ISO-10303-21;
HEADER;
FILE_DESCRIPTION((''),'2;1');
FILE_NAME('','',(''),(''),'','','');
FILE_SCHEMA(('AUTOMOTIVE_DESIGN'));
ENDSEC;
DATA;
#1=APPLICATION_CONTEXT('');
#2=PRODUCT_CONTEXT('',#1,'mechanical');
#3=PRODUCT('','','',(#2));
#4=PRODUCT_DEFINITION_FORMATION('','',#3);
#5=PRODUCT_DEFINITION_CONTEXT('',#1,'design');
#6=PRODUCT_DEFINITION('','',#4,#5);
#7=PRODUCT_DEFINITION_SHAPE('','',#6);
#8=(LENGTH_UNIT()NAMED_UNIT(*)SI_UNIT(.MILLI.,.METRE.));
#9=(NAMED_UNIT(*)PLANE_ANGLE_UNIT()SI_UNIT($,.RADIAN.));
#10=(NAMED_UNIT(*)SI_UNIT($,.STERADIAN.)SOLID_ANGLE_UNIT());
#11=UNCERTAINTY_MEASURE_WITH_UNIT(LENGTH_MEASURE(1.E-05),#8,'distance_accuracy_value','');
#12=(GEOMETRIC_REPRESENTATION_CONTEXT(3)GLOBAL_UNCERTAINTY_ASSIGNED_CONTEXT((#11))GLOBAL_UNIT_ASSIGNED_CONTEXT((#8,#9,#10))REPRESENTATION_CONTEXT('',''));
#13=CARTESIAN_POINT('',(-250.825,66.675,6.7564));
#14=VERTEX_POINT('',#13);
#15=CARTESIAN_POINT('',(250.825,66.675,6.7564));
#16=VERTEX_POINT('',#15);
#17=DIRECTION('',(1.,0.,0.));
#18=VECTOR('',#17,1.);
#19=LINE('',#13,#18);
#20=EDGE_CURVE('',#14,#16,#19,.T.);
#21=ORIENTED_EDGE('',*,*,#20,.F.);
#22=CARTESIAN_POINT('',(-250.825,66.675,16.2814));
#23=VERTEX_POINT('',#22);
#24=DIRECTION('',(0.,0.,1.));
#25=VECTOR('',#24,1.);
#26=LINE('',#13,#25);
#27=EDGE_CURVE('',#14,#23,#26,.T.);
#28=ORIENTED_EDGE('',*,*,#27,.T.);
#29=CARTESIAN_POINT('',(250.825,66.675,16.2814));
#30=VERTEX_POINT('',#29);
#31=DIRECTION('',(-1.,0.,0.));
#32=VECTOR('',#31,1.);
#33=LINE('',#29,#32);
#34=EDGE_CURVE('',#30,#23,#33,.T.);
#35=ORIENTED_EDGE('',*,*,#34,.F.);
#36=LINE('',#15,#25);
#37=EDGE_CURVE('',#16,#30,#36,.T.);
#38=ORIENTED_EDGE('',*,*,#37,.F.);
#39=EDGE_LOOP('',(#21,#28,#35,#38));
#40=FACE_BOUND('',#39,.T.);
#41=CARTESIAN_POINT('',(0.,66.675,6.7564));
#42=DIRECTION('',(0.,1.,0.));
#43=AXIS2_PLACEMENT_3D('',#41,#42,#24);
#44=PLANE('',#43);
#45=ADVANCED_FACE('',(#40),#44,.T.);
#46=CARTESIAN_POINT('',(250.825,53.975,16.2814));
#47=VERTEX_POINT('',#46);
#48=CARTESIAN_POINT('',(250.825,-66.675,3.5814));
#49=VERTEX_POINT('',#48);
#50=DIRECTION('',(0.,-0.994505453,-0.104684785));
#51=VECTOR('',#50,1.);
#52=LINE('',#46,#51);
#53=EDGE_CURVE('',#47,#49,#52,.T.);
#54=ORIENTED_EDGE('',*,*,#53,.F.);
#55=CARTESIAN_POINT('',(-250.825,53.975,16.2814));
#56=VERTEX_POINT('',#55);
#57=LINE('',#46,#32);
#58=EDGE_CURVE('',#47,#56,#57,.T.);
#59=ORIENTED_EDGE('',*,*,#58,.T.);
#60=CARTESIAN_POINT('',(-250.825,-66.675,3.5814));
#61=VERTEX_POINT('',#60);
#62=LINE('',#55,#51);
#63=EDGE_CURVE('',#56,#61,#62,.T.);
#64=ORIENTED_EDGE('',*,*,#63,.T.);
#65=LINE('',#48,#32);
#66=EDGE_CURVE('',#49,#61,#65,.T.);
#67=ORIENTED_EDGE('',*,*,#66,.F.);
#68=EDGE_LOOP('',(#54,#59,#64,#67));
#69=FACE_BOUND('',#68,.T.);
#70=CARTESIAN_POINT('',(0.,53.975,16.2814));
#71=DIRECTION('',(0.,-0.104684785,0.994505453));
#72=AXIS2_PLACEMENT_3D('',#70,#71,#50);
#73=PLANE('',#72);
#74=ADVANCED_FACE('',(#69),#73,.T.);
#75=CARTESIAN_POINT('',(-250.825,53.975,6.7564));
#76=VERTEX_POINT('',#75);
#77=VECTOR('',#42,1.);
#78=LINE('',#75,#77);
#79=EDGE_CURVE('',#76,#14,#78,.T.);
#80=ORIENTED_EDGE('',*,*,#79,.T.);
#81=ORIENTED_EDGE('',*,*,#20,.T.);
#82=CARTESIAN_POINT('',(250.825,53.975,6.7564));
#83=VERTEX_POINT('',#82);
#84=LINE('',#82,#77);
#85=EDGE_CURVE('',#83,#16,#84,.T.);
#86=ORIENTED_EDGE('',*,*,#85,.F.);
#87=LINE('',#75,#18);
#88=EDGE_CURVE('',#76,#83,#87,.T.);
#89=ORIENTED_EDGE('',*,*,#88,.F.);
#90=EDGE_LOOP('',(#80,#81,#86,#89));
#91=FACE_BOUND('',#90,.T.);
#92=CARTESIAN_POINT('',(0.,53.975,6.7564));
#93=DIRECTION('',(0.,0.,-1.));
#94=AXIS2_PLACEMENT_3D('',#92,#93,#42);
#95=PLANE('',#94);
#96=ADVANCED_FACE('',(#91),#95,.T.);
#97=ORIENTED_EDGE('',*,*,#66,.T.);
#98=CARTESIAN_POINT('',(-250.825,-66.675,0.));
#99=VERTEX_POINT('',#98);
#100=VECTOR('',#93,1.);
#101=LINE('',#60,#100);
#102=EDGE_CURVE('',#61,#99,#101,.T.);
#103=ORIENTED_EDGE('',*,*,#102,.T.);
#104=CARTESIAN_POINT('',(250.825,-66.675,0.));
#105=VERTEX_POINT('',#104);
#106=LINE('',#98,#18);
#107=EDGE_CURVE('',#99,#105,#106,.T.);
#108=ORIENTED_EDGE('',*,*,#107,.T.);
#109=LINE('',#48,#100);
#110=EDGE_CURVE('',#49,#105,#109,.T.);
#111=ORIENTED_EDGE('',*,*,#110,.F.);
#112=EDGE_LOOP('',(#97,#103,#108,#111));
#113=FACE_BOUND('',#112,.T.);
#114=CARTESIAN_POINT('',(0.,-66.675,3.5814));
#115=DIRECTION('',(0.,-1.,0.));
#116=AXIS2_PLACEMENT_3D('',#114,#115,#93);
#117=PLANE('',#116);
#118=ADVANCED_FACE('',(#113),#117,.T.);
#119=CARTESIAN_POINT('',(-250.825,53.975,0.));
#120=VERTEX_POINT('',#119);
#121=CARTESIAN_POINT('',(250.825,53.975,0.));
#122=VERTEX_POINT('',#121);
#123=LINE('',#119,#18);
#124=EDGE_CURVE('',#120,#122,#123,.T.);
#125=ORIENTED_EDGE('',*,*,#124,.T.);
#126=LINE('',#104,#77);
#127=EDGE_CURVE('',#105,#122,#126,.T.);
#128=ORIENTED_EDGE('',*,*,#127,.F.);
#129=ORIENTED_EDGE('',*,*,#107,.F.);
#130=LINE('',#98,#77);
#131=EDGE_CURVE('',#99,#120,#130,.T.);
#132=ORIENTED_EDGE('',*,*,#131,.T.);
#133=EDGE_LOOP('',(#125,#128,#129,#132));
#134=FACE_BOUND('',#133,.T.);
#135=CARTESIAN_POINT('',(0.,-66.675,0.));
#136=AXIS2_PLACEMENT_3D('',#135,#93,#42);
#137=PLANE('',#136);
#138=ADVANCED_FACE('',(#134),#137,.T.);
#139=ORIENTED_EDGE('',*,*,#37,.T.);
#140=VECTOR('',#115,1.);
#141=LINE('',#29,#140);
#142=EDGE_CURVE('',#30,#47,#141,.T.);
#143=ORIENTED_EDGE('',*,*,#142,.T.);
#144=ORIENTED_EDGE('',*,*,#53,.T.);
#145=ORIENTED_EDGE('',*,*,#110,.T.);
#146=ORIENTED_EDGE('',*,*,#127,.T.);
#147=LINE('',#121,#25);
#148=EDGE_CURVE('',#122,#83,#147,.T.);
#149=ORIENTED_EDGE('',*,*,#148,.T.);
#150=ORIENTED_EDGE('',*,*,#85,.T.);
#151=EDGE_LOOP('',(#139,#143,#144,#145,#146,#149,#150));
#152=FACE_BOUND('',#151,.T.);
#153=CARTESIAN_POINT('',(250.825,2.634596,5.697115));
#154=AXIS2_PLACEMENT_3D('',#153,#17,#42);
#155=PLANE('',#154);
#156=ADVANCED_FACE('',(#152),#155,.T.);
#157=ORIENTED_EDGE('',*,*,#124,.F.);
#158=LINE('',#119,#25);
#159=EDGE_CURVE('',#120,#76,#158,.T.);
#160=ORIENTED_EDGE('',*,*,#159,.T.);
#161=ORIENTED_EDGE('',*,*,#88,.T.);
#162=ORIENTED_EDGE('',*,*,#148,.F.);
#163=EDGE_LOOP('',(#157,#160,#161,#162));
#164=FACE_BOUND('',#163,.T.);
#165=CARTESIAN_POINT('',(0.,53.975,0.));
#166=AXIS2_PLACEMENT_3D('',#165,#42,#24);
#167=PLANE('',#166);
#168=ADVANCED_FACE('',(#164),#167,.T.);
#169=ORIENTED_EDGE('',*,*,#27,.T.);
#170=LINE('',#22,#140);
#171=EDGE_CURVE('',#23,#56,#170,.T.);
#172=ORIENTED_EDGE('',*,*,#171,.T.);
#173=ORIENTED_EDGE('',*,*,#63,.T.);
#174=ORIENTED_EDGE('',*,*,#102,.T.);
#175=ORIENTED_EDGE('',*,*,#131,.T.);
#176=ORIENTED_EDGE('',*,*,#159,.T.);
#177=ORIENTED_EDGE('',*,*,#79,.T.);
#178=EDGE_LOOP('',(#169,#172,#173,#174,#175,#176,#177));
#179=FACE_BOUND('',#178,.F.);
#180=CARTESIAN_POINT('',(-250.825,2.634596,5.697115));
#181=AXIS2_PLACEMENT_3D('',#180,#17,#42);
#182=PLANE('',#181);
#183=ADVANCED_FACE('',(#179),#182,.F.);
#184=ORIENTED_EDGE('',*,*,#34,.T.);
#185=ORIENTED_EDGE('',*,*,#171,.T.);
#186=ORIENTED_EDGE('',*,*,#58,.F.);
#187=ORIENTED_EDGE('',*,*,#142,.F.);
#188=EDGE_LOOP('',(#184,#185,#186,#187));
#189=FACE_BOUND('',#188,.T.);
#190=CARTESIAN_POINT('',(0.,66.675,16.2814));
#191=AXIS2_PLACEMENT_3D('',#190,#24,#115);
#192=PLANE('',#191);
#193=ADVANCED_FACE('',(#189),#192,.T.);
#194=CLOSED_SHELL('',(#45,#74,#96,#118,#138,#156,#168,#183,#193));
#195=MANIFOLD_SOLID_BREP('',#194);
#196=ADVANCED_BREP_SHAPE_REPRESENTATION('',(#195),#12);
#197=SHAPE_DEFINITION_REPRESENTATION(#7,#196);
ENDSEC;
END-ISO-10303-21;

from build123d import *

# Parameters (mm, degrees)
F1_DEPTH = 250.825


with BuildPart() as f1:
    # F0 (on Right) → F1 (new body, symmetric)
    with BuildSketch(Plane.YZ):
        Polygon((-66.675, 3.5814), (-66.675, 0), (53.975, 0), (53.975, 6.7564), (66.675, 6.7564), (66.675, 16.2814), (53.975, 16.2814), align=None)
    extrude(amount=F1_DEPTH, both=True)


solid = f1.part
